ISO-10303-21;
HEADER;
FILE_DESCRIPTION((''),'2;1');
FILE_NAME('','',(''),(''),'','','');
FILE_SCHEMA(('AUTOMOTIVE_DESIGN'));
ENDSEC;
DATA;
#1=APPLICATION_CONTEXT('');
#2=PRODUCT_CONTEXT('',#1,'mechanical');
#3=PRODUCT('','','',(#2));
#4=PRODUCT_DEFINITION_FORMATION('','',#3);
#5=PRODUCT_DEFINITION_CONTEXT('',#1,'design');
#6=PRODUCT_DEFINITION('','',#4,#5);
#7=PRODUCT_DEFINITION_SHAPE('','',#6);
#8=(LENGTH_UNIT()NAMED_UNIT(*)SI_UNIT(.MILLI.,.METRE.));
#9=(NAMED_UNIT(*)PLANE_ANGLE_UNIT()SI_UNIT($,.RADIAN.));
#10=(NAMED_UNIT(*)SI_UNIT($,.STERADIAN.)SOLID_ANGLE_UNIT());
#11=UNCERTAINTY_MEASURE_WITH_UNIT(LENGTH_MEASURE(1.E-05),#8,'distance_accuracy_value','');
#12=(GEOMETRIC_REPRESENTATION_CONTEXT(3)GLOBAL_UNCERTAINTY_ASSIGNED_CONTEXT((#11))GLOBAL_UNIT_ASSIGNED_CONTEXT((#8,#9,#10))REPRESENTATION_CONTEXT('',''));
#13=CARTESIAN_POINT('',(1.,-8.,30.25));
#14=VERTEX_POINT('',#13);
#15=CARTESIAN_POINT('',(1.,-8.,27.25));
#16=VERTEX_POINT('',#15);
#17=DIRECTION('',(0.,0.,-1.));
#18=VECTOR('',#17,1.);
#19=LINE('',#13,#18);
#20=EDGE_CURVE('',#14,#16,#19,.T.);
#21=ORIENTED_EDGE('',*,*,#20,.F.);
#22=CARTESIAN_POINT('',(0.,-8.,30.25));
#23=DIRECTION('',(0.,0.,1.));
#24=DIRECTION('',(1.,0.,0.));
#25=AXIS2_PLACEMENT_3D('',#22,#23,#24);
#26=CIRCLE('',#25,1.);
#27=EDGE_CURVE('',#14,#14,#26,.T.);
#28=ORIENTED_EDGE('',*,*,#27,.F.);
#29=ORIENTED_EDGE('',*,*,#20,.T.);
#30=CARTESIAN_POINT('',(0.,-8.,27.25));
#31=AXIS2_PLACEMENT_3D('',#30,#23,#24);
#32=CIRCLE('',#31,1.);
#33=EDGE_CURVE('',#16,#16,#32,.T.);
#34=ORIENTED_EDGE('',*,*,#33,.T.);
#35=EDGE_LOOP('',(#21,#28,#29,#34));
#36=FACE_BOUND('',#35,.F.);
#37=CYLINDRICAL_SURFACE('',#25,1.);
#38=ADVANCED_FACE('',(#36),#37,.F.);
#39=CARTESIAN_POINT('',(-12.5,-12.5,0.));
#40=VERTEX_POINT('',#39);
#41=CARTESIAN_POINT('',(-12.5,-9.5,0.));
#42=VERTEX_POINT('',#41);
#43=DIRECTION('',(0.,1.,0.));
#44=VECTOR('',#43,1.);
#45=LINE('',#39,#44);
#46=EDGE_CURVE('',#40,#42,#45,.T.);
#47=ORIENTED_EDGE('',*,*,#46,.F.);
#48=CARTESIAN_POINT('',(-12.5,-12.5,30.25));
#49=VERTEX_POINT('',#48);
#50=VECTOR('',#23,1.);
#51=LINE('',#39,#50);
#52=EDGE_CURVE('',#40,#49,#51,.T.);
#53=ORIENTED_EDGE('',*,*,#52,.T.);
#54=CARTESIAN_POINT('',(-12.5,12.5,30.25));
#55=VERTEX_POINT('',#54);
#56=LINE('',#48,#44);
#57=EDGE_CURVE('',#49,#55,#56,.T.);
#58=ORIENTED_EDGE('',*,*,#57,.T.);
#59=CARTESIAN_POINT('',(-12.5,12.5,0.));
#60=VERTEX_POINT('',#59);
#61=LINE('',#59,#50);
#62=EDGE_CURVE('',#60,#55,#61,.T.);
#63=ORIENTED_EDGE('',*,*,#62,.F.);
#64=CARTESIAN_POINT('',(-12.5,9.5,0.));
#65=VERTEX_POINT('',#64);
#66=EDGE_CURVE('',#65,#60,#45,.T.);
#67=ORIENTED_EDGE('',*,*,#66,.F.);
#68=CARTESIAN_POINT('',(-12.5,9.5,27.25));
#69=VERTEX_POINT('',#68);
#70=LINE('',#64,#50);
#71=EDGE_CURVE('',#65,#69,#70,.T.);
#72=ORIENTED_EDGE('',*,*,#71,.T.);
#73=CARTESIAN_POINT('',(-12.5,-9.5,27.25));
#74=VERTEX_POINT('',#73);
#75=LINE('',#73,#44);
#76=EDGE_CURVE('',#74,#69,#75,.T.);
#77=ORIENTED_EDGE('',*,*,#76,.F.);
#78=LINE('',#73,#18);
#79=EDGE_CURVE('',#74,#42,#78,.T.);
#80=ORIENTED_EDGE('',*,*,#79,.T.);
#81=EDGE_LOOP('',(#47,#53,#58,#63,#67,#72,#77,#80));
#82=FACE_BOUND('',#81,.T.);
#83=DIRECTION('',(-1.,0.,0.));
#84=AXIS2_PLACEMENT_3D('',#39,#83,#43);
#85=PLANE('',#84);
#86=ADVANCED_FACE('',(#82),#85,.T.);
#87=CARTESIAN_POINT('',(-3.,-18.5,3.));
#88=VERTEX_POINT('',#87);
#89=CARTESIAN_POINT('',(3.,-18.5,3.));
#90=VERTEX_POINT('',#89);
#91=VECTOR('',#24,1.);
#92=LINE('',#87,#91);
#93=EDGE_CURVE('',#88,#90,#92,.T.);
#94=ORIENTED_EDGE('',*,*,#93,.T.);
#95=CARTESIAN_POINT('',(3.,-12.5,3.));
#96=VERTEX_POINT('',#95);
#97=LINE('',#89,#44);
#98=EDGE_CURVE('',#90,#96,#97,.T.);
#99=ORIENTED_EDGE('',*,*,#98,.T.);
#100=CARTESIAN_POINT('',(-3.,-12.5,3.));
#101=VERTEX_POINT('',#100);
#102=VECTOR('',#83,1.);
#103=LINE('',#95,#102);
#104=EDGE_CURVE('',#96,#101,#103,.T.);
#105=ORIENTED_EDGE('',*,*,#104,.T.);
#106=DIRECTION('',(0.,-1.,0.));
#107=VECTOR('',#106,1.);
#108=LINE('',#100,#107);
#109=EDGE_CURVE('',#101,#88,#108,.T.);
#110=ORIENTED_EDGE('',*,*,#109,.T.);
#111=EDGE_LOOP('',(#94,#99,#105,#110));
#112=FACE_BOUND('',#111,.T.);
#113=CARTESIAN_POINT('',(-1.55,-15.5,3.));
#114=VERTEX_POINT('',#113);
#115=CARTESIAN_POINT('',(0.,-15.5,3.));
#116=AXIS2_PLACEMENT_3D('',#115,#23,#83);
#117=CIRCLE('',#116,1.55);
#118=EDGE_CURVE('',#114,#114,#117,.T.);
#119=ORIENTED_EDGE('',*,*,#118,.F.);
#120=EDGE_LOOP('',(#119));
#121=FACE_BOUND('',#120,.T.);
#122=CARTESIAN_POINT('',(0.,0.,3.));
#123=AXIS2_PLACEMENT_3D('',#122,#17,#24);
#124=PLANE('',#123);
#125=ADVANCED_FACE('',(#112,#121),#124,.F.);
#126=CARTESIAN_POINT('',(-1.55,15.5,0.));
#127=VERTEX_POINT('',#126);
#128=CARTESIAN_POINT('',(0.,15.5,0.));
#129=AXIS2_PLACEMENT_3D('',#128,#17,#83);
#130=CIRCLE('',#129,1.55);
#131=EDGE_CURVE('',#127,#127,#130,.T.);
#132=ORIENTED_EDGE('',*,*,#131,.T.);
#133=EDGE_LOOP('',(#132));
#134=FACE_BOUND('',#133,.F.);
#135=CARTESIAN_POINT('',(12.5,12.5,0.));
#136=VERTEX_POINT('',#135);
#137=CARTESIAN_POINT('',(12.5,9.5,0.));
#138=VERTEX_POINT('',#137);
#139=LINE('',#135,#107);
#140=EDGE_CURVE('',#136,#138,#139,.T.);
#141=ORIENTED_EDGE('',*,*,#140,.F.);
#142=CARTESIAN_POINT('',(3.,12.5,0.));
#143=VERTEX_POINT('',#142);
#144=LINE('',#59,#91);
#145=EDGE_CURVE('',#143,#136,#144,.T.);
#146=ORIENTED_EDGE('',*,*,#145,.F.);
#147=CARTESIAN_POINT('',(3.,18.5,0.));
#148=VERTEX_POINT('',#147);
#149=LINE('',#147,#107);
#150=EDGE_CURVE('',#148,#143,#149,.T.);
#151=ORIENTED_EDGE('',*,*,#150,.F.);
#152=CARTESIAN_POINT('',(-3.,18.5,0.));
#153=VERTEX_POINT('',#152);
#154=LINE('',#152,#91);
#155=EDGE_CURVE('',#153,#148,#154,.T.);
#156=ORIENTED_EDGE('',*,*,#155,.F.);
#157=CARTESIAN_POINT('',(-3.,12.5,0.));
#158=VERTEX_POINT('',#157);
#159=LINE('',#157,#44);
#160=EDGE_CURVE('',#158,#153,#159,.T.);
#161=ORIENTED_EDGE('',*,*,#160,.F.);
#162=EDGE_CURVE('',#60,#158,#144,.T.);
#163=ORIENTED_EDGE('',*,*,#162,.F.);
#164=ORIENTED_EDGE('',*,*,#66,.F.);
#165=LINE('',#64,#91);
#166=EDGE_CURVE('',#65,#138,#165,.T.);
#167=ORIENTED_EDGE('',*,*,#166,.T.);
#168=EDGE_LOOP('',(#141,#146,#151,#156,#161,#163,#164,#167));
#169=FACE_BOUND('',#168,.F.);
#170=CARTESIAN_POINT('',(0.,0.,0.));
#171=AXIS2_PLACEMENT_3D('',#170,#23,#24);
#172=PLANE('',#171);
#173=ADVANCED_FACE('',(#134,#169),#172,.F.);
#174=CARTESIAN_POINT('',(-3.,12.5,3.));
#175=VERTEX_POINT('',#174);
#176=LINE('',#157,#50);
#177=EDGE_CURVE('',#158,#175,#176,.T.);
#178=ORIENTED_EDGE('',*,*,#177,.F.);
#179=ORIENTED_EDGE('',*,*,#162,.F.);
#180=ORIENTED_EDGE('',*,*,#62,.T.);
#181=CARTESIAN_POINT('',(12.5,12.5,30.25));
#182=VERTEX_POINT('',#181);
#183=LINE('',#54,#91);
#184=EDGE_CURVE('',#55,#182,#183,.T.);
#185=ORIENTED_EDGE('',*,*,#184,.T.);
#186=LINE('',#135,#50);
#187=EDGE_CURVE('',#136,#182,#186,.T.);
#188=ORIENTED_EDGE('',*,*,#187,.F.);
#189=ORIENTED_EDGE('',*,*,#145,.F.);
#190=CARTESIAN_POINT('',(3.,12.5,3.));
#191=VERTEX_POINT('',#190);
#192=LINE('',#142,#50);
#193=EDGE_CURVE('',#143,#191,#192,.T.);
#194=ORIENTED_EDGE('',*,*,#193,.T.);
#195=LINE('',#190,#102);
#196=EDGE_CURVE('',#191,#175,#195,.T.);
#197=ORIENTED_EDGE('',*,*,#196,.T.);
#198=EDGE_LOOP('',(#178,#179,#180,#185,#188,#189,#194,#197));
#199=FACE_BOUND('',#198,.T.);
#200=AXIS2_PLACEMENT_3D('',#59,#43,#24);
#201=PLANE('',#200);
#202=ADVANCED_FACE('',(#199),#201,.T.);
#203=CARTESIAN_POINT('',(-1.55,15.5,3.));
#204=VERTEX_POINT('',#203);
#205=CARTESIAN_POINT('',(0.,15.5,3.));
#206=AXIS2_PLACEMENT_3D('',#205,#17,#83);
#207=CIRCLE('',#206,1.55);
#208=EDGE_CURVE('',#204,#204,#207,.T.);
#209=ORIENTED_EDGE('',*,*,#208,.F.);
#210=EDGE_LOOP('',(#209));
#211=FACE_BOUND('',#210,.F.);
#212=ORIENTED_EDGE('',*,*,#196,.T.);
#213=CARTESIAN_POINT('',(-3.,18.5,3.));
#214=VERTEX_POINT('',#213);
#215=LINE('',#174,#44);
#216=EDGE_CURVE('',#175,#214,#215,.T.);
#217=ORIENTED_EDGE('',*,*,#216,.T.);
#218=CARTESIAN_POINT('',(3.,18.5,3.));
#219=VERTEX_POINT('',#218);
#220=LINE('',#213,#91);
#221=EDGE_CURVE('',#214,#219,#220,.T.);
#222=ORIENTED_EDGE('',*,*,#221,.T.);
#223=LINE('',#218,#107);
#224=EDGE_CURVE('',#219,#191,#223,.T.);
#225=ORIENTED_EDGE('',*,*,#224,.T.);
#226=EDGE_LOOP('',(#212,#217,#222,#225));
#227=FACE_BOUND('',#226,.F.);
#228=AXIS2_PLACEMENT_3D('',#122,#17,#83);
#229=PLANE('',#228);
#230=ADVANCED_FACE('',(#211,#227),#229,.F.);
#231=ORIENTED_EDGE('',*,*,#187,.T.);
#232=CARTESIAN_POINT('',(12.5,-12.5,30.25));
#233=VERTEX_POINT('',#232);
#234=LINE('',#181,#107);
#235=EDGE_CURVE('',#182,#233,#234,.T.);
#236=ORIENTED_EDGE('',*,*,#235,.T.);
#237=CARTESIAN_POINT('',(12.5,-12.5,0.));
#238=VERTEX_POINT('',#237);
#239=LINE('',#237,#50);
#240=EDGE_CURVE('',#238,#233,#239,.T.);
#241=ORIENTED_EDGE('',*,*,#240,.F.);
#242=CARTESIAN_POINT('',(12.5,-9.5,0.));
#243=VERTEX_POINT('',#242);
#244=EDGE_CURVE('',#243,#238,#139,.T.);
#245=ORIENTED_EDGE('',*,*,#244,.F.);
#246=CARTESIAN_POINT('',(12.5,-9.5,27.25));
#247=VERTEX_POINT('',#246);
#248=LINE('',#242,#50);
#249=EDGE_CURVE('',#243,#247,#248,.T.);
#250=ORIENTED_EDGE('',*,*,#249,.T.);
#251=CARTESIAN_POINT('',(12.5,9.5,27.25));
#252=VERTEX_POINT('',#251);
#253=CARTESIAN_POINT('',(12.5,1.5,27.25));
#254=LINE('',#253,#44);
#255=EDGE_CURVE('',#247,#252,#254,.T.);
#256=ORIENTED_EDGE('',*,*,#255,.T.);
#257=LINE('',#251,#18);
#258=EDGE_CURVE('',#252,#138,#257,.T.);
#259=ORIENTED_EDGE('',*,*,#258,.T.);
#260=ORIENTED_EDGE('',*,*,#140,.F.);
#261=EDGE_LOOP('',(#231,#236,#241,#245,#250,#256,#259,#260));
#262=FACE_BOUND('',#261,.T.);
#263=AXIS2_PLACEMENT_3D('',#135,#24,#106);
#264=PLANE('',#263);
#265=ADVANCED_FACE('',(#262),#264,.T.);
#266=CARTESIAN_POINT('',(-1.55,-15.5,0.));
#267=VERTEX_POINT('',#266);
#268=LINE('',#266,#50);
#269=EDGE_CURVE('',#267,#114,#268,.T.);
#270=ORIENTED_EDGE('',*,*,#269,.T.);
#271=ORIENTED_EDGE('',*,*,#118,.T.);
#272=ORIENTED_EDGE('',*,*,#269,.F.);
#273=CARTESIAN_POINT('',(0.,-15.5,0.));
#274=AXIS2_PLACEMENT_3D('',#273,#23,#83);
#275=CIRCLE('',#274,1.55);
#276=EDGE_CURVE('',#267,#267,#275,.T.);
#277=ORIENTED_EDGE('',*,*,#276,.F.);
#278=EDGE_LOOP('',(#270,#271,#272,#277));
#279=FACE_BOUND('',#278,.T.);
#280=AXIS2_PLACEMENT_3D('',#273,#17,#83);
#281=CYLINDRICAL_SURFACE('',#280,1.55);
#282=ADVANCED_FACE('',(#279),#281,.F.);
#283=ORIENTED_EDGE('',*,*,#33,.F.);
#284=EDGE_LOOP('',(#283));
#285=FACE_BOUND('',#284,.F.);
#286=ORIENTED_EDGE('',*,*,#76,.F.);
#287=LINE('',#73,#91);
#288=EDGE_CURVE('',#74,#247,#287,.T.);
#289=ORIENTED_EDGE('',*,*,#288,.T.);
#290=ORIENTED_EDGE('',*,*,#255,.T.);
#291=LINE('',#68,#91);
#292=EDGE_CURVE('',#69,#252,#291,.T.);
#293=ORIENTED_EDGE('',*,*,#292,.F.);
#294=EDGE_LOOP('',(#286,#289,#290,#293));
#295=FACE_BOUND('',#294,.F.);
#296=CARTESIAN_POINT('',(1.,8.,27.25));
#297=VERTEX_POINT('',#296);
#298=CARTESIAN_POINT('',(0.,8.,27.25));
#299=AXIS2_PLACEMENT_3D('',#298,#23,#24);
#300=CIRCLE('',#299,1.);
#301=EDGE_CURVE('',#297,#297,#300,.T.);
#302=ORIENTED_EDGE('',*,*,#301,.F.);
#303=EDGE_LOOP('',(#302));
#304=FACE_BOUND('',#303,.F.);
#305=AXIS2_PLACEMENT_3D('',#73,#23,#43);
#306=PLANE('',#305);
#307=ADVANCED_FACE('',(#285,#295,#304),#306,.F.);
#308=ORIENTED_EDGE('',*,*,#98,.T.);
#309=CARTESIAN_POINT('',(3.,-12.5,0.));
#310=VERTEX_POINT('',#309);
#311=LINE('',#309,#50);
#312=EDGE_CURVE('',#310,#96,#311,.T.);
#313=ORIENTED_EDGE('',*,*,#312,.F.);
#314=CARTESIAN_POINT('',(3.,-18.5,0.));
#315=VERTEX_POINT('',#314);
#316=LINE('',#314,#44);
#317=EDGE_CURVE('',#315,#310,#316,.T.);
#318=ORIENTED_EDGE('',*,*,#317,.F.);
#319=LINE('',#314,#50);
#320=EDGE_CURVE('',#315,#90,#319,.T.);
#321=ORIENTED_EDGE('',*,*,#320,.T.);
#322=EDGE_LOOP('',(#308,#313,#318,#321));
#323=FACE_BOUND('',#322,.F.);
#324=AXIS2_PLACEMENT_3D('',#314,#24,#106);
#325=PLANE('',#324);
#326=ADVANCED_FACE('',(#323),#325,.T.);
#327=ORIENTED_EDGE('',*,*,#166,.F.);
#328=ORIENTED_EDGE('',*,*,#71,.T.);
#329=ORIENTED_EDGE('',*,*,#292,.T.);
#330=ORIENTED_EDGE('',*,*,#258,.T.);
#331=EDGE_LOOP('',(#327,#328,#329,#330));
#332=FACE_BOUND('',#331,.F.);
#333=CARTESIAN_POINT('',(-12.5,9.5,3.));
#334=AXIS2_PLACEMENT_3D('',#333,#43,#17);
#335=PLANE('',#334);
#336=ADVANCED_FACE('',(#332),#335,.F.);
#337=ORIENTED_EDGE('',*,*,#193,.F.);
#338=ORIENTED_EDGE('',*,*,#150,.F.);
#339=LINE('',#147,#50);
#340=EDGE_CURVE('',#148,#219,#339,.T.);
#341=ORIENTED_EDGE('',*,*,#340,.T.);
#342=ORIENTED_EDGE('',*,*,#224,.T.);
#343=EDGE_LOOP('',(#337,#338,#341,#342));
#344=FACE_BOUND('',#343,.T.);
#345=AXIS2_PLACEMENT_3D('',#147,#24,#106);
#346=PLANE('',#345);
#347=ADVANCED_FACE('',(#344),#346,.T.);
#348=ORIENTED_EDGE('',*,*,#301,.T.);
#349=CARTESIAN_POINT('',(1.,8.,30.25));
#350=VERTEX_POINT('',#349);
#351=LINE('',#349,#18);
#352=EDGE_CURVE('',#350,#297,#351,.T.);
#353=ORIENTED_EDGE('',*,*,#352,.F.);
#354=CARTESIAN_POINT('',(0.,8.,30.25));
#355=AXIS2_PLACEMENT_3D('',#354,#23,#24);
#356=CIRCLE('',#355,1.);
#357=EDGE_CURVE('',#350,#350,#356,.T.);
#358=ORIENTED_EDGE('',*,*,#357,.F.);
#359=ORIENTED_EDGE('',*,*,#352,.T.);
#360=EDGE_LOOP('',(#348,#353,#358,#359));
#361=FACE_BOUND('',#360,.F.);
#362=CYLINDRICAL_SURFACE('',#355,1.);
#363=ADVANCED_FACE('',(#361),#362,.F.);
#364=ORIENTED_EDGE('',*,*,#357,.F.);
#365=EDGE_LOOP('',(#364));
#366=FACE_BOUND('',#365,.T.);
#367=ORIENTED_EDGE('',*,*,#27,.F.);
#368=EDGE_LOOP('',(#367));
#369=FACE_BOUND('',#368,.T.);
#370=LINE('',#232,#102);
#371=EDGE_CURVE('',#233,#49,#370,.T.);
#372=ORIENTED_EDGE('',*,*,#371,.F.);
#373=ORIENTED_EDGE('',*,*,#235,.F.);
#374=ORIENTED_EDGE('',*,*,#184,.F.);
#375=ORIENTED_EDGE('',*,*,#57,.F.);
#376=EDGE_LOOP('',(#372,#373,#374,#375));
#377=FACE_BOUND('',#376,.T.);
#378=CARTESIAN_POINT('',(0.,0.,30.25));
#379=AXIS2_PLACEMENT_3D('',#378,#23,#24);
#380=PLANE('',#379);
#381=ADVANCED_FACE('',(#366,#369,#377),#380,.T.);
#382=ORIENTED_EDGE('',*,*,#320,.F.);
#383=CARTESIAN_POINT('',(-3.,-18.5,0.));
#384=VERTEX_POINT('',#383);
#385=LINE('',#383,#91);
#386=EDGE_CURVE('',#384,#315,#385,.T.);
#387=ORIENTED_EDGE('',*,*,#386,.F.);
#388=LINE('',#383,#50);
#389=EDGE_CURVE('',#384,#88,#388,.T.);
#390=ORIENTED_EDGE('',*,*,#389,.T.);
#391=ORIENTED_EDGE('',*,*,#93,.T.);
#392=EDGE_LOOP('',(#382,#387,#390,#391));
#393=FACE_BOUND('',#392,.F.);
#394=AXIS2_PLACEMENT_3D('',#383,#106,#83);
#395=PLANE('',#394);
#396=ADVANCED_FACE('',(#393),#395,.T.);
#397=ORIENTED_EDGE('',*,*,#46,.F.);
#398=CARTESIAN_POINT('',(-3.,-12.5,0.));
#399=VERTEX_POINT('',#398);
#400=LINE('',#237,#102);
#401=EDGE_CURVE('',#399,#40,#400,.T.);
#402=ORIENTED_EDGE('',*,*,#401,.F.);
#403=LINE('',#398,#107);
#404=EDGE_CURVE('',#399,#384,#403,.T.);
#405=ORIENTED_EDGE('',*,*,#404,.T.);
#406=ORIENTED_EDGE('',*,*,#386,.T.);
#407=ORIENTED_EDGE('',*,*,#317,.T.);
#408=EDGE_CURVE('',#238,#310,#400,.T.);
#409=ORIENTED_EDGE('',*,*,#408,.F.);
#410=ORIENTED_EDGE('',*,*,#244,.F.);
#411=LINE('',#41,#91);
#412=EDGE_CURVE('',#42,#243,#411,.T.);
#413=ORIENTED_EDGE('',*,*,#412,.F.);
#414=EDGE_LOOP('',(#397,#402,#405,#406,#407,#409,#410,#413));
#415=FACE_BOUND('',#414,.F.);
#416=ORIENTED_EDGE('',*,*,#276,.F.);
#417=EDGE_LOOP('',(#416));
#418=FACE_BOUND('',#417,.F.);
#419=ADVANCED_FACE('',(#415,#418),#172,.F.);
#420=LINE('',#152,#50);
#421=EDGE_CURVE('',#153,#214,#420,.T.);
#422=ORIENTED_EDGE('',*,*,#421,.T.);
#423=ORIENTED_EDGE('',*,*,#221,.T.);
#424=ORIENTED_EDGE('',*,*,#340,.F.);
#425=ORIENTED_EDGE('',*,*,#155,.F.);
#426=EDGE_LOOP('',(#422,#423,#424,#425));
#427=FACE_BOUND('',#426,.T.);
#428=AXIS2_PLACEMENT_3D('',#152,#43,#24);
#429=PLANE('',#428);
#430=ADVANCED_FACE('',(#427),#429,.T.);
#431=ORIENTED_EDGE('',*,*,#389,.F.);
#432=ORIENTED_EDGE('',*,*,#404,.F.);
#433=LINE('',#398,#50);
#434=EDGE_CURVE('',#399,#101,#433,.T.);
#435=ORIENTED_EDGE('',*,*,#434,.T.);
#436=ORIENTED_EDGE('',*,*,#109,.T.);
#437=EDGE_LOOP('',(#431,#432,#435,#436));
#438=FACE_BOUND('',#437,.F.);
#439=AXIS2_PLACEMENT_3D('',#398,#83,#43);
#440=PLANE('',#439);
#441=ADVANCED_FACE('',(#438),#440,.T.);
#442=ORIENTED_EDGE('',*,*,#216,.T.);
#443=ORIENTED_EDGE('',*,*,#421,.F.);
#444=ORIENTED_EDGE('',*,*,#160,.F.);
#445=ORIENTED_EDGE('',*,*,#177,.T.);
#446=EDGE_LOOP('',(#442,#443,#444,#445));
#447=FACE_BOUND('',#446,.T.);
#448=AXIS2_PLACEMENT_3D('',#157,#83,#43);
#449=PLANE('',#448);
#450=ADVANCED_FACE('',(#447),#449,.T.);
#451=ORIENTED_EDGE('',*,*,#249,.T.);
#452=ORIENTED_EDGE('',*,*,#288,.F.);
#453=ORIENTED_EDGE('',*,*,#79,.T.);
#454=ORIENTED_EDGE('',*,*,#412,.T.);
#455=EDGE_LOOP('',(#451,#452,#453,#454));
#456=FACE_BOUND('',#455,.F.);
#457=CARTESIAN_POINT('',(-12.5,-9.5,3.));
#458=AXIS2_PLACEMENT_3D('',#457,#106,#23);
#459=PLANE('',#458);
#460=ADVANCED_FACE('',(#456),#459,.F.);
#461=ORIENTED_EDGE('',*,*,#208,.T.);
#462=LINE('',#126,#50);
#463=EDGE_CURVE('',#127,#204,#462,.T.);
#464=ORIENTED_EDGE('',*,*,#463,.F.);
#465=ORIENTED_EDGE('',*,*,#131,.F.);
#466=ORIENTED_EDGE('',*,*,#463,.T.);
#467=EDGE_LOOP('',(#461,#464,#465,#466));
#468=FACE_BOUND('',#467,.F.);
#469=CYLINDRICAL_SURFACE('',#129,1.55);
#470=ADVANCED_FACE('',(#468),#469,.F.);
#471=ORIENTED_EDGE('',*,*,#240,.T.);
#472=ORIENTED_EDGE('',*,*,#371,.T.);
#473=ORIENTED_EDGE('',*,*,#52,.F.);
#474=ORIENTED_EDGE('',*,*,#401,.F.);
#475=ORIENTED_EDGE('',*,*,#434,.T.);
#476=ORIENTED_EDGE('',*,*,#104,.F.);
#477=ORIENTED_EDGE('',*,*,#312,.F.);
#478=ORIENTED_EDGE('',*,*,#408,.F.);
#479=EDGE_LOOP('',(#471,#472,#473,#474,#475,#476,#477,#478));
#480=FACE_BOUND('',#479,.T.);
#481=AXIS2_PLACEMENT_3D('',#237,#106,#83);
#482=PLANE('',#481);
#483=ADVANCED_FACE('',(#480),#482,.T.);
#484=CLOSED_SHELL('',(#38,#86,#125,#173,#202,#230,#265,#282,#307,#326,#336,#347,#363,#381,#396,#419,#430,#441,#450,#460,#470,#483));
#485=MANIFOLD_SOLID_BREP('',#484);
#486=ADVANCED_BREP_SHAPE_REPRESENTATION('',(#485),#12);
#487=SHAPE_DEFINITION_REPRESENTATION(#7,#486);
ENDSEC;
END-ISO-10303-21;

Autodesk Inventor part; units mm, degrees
ref_plane "YZ Plane" through (0, 0, 0) normal (1, 0, 0) x (0, 1, 0)
ref_plane "XZ Plane" through (0, 0, 0) normal (0, 1, 0) x (-1, 0, 0)
ref_plane "XY Plane" through (0, 0, 0) normal (0, 0, 1) x (1, 0, 0)
sketch "Sketch1" plane through (0, 0, 0) normal (0, 0, 1) x (1, 0, 0)
  line L0 (-12.5, 12.5) -> (12.5, 12.5)
  line L1 (12.5, 12.5) -> (12.5, -12.5)
  line L2 (12.5, -12.5) -> (-12.5, -12.5)
  line L3 (-12.5, -12.5) -> (-12.5, 12.5)
  line L4 (-12.5, 12.5) -> (12.5, -12.5) construction
  line L5 (12.5, 12.5) -> (-12.5, -12.5) construction
  point P0 (0, 0)
  dimension "d0" = 25
  dimension "d1" = 25
extrude "Extrusion1" add sketch "Sketch1" along normal blind 30.25
sketch "Sketch3" plane through (-12.5, -12.5, 0) normal (-1, 0, 0) x (0, 0, 1)
  line L0 (0, 25) -> (0, 0) projected
  line L1 (0, 25) -> (30.25, 25) projected
  line L2 (30.25, 0) -> (30.25, 25) projected
  line L3 (0, 0) -> (30.25, 0) projected
  line L4 (27.25, 3) -> (27.25, 22)
  line L5 (27.25, 22) -> (3, 22)
  line L6 (3, 3) -> (27.25, 3)
  line L7 (3, 3) -> (0, 3)
  line L8 (3, 22) -> (0, 22)
  line L9 (0, 3) -> (0, 22)
  line L10 (0, 0) -> (0, 25) projected
  point P0 (0, 12.5)
  dimension "d16" = 3
sketch "Sketch4" plane through (0, 0, 0) normal (0, 0, -1) x (-1, 0, 0)
  line L0 (3, 18.5) -> (-3, 18.5)
  line L1 (-3, 18.5) -> (-3, 12.5)
  line L2 (-3, 12.5) -> (3, 12.5)
  line L3 (3, 12.5) -> (3, 18.5)
  line L4 (3, 18.5) -> (-3, 12.5) construction
  line L5 (-3, 18.5) -> (3, 12.5) construction
  point P0 (0, 0)
  point P1 (0, 19)
  point P2 (0, 15.5)
  dimension "d19" = 6
  dimension "d20" = 6
extrude "Extrusion3" add sketch "Sketch4" against normal blind 3
mirror "Mirror1" about plane through (0, 0, 0) normal (0, 1, 0) of "Extrusion3"
extrude "Extrusion4" cut sketch "Sketch3" against normal up to next contours L8 L5 L4 L6 L7 L0
sketch "Sketch5" plane through (0, 0, 0) normal (0, 0, -1) x (-1, 0, 0)
  circle A0 centre (0, 15.5) radius 1.55
  point P0 (0, 0)
  dimension "d21" = 3.1
extrude "Extrusion5" cut sketch "Sketch5" against normal up to next
mirror "Mirror2" about plane through (0, 0, 0) normal (0, 1, 0) of "Extrusion5"
sketch "Sketch6" plane through (0, 0, 30.25) normal (0, 0, 1) x (1, 0, 0)
  circle A0 centre (0, -8) radius 1
  circle A1 centre (0, 8) radius 1
  point P0 (0, 0)
  dimension "d24" = 2
  dimension "d25" = 2
extrude "Extrusion6" cut sketch "Sketch6" against normal up to next
properties part number "架子 assembly"
